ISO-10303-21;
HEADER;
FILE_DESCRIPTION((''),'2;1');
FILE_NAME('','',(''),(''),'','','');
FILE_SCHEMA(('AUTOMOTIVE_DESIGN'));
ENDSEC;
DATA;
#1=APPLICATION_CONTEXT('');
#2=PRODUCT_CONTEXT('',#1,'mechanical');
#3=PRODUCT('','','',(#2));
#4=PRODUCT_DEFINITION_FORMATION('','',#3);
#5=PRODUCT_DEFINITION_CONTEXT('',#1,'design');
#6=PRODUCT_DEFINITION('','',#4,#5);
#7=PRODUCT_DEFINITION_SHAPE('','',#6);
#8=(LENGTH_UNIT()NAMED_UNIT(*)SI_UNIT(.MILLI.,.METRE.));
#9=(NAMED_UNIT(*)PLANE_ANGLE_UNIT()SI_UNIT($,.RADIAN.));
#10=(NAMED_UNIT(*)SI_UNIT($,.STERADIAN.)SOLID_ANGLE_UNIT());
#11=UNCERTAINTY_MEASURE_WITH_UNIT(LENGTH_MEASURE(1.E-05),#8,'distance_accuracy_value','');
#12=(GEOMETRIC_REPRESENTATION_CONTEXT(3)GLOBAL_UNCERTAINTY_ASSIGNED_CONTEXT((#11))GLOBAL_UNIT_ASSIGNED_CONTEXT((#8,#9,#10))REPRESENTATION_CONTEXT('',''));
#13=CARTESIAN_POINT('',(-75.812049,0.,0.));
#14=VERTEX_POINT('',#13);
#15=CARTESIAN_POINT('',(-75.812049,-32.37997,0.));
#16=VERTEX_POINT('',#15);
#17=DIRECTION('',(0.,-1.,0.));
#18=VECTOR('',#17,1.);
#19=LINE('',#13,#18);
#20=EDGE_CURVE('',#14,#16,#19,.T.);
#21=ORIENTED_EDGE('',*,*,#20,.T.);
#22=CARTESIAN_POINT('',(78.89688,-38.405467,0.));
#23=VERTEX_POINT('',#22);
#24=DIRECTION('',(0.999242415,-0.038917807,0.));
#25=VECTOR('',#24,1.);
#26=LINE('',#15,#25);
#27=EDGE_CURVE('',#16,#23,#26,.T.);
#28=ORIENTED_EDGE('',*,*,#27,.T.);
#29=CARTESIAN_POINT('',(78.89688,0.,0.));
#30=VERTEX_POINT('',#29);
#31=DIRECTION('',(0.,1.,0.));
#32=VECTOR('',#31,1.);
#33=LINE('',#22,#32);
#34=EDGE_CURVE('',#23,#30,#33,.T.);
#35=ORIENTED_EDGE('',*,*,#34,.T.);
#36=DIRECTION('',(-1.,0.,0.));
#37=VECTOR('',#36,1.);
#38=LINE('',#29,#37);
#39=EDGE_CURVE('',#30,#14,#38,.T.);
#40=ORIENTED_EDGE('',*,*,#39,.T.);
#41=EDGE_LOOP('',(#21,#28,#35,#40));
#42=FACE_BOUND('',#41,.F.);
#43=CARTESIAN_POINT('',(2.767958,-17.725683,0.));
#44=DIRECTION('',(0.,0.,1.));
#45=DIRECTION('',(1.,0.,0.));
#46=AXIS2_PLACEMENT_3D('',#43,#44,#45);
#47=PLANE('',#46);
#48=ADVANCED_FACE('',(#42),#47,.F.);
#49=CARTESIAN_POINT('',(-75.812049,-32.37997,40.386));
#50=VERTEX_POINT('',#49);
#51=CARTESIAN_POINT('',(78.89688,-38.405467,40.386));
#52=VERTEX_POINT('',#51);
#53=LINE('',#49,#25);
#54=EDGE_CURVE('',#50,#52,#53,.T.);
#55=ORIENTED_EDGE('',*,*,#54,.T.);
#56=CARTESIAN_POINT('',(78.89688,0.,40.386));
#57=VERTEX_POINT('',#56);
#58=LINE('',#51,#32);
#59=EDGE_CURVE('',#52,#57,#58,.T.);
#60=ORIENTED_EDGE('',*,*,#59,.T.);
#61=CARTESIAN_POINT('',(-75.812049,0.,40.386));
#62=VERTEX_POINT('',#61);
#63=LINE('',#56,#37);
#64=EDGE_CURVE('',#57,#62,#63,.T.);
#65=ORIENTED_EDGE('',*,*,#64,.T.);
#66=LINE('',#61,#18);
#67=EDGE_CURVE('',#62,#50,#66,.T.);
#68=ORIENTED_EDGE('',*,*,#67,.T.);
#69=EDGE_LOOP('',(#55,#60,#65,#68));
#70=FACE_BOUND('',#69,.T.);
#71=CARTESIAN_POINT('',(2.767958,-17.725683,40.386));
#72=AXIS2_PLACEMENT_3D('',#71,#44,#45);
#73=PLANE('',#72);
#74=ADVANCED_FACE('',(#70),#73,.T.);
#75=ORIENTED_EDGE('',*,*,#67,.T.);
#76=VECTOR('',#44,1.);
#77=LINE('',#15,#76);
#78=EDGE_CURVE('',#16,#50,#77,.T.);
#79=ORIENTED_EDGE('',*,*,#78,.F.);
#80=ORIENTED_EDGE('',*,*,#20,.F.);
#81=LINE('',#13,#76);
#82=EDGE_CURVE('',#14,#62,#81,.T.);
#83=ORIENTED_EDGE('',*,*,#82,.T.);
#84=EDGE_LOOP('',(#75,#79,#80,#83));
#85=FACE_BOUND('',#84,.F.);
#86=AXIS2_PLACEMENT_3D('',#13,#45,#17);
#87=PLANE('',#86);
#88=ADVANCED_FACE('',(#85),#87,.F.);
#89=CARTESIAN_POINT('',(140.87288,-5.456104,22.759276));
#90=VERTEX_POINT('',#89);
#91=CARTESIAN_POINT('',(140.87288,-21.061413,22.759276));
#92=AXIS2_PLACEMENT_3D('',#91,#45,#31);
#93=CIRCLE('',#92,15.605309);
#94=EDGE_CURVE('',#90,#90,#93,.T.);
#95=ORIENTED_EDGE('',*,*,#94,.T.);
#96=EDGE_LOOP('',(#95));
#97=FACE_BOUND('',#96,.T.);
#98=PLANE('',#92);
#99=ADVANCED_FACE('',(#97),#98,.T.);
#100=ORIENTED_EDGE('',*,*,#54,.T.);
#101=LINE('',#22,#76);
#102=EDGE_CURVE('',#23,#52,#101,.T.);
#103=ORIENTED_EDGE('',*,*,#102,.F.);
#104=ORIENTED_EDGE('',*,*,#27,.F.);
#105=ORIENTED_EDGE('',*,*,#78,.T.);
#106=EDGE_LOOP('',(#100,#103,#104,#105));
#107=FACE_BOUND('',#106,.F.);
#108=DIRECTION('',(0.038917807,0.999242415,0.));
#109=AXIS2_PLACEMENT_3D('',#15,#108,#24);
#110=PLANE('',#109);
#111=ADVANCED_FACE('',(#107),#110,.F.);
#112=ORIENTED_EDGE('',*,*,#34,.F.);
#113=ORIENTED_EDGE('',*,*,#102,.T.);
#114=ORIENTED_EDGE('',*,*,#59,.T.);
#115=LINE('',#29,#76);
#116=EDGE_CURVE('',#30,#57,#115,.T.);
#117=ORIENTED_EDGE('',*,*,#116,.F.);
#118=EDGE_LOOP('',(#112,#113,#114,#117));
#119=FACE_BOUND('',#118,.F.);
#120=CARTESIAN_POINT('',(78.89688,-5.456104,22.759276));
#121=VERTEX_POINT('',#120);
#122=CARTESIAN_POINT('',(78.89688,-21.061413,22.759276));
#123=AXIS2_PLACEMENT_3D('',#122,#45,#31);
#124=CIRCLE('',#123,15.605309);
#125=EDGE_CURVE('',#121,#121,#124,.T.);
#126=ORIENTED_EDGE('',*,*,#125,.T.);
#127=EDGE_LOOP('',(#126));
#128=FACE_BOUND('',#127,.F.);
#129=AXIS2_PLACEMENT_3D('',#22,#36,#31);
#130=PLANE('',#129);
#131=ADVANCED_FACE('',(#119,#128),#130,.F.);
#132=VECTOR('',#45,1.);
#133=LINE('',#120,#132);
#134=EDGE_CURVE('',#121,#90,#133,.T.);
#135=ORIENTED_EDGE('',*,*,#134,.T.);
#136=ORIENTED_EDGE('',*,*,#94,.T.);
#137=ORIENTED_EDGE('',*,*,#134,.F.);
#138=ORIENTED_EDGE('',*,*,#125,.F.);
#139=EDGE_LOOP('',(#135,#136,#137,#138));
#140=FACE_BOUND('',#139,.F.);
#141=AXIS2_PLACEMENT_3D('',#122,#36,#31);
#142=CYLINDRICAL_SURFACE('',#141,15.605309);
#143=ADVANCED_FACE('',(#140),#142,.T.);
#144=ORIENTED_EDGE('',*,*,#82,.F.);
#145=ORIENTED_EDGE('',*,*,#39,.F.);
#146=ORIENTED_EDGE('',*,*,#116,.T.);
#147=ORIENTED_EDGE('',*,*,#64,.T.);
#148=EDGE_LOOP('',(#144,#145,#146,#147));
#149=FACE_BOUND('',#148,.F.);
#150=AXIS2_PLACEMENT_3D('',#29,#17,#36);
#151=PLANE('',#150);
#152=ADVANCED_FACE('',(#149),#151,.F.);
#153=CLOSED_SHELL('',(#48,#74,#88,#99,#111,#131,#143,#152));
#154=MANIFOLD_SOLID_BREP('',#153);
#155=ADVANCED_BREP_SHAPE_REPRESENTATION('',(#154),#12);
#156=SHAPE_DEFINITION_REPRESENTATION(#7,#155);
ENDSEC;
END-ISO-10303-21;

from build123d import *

# Parameters (mm, degrees)
F1_DEPTH = 40.386
F2_R     = 15.605309
F3_DEPTH = 61.976


with BuildPart() as f1:
    # F0 (on Top) → F1 (new body)
    with BuildSketch(Plane.XY):
        Polygon((78.89688, 0), (-75.812049, 0), (-75.812049, -32.37997), (78.89688, -38.405467), align=None)
    extrude(amount=F1_DEPTH)

    # F2 (on face) → F3 (join)
    with BuildSketch(Plane.YZ.offset(78.89688)):
        with Locations((-21.061413, 22.759276)):
            Circle(F2_R)
    extrude(amount=F3_DEPTH)


solid = f1.part
